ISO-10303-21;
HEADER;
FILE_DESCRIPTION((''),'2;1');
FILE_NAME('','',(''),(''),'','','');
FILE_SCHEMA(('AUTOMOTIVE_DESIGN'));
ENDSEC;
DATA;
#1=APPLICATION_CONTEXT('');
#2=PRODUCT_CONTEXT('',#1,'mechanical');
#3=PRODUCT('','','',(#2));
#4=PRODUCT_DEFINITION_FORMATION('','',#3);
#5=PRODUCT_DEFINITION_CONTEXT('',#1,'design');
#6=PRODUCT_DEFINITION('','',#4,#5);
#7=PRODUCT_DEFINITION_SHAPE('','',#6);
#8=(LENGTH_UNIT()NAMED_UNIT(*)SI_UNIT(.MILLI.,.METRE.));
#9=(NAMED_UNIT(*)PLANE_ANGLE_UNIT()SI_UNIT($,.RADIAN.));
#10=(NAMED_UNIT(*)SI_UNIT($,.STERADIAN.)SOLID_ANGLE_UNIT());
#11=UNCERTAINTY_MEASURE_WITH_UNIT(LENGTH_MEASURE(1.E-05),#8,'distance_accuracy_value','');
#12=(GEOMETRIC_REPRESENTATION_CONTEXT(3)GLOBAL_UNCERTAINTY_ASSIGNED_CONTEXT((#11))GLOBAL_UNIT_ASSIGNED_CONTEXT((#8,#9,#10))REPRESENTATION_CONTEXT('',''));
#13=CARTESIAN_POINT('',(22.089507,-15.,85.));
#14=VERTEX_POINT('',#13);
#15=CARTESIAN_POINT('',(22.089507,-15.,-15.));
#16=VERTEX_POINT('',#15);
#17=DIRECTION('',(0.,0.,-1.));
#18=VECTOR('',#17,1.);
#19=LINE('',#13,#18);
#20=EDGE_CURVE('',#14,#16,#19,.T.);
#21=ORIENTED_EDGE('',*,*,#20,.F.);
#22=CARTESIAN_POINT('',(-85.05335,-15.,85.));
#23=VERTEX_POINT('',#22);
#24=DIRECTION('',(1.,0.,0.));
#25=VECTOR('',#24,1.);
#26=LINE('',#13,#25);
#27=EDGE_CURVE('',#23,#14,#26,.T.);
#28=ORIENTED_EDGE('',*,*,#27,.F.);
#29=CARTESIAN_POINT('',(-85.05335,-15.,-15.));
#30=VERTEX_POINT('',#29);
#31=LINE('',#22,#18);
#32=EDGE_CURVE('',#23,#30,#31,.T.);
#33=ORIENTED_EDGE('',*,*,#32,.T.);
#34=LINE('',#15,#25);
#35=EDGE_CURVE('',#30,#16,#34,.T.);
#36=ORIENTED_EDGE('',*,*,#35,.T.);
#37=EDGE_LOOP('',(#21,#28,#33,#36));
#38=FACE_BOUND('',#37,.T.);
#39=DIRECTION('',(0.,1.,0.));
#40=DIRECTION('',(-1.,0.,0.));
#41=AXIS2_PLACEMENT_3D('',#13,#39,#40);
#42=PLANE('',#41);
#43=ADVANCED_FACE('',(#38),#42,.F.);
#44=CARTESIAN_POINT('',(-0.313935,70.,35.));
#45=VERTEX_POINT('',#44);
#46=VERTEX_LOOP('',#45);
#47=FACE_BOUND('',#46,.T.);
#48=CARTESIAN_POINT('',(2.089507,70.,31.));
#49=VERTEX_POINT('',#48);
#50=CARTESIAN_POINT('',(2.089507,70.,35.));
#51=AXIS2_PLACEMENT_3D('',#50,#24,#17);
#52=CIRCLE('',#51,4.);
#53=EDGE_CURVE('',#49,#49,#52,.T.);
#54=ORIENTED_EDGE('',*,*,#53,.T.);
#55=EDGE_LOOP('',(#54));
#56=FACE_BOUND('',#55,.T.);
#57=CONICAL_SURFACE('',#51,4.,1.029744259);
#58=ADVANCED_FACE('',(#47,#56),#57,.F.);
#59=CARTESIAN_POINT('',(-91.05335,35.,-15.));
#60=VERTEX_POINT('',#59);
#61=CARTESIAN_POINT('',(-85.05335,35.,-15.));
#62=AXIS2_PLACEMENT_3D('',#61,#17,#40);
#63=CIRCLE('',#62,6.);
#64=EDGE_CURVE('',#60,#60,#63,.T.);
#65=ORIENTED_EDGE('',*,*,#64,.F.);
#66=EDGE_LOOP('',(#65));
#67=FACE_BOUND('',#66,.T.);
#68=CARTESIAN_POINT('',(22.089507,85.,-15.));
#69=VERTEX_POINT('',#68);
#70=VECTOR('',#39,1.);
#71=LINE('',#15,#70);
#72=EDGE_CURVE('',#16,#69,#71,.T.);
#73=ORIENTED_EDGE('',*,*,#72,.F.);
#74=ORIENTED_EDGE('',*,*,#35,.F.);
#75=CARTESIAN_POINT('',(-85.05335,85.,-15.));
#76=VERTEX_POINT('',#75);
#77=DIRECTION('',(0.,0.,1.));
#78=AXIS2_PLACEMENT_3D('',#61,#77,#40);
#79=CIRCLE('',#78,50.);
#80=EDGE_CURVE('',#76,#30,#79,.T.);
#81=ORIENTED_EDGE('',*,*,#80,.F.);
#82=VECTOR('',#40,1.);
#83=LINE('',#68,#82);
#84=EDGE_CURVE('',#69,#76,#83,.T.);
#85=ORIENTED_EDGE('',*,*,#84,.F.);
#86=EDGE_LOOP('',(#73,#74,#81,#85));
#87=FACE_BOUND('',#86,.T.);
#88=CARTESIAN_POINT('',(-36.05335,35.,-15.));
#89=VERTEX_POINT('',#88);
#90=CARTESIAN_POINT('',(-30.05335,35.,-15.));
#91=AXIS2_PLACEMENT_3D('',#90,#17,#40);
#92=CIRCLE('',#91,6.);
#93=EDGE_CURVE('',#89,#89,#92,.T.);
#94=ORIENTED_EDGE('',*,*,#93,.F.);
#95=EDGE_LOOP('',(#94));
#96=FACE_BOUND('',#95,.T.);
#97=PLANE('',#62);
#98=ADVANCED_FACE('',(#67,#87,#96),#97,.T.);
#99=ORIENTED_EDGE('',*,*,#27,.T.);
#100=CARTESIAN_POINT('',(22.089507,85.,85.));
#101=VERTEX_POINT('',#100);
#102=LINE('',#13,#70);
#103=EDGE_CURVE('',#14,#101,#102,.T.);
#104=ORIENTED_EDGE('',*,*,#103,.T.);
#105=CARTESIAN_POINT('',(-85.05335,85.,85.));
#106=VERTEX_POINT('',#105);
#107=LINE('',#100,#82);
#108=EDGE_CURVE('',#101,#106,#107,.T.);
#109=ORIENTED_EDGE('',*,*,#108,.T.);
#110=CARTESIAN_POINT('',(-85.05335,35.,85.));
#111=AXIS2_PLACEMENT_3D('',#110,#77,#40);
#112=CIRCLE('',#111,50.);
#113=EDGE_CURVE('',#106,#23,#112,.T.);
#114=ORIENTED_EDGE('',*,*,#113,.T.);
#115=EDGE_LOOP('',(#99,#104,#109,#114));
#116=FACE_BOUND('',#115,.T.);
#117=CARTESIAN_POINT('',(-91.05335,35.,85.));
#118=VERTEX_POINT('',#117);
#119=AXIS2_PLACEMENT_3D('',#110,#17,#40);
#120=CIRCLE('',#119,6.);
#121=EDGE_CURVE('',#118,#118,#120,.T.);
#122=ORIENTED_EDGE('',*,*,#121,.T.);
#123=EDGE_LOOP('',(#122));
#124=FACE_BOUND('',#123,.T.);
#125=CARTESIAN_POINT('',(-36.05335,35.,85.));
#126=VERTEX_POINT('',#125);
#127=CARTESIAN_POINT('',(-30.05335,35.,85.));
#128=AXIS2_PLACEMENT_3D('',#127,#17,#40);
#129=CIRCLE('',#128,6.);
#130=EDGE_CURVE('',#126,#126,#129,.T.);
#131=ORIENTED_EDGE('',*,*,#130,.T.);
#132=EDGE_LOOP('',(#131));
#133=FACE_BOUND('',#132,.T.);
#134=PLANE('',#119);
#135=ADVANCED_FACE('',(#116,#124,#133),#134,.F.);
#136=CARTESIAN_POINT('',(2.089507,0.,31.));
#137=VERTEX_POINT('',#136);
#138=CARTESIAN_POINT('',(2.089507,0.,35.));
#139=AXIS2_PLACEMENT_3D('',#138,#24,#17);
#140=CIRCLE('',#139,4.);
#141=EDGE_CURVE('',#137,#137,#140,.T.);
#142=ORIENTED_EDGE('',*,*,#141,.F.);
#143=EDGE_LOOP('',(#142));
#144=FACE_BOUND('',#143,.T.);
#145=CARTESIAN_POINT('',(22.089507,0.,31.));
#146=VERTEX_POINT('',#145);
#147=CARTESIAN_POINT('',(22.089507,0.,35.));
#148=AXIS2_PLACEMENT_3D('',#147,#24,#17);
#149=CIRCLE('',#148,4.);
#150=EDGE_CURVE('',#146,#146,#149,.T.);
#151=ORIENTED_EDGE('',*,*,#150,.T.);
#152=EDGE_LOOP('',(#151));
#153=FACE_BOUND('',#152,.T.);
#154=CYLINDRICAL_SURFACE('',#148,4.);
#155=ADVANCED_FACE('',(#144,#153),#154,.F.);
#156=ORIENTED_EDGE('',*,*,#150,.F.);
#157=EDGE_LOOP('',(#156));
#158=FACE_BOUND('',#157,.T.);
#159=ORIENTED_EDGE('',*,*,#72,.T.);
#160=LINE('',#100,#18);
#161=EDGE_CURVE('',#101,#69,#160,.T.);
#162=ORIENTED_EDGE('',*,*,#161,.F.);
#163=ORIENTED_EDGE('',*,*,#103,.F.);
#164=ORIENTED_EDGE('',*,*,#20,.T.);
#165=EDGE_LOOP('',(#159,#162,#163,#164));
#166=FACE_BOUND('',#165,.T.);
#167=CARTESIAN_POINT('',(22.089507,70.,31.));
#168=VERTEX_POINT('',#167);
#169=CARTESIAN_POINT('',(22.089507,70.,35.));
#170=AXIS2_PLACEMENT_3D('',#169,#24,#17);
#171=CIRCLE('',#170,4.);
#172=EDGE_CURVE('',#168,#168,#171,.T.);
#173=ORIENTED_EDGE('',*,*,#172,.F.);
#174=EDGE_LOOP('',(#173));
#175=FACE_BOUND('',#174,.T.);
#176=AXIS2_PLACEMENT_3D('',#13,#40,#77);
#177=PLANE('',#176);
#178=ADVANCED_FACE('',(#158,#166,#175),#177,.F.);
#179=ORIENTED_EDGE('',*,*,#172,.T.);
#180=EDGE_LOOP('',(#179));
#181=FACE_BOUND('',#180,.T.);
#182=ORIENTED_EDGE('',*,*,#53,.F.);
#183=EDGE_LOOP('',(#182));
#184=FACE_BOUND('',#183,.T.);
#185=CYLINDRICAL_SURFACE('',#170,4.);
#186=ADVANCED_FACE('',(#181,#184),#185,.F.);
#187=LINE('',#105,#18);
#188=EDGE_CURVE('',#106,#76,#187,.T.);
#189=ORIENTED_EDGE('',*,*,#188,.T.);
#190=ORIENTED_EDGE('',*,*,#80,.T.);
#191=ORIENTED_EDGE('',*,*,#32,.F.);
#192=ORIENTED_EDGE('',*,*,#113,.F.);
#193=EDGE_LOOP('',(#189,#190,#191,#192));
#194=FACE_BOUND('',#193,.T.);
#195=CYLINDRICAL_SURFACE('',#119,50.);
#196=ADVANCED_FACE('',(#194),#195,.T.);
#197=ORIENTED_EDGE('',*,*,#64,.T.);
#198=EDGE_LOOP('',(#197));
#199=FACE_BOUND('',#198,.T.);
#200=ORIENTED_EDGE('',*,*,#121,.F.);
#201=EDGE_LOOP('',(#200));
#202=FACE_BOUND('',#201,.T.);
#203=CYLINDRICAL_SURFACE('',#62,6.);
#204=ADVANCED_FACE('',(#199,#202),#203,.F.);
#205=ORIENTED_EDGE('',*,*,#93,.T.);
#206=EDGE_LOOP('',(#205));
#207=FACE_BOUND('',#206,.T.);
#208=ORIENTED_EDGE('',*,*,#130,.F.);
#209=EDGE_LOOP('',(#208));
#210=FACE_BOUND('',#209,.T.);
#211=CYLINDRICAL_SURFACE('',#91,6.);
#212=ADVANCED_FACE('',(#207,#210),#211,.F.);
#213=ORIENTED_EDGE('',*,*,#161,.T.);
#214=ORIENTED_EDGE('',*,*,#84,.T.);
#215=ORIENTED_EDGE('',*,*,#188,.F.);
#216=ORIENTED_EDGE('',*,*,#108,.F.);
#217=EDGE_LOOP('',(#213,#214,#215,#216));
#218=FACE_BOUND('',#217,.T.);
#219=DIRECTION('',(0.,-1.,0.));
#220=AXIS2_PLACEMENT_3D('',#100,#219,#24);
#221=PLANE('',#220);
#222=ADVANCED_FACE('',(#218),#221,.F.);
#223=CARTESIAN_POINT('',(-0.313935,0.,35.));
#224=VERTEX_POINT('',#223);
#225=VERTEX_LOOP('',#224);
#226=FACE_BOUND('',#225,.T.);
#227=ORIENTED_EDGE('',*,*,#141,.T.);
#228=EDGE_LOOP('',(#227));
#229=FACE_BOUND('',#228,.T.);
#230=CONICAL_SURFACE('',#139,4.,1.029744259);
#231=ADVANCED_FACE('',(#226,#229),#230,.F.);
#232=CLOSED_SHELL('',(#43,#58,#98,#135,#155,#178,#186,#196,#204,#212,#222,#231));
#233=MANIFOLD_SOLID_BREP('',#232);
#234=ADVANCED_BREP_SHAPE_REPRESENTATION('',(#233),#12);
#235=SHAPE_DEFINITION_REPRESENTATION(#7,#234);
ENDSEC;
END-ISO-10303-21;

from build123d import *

# Parameters (mm, degrees)
BOSS_EXTRUDE1_DEPTH       = 70
SCALE1_SCALE              = 1.428571429
F_12_0MM_DOWEL_HOLE1_D    = 12
F_8_0MM_DOWEL_HOLE3_D     = 8
F_8_0MM_DOWEL_HOLE3_DEPTH = 20
F_8_0MM_DOWEL_HOLE3_TIP   = 2.403442476


with BuildPart() as part:
    # Sketch1 → Boss-Extrude1 (new body)
    with BuildSketch(Plane.XY):
        with BuildLine():
            Line((0, 0), (-75, 0))
            ThreePointArc((-75, 0), (-110, 35), (-75, 70))
            Line((-75, 70), (0, 70))
            Line((0, 70), (0, 0))
        make_face()
    extrude(amount=BOSS_EXTRUDE1_DEPTH)


with BuildPart() as part_1:
    # Scale1: scaled about (-51.542183312, 35, 35)
    add(part.part.scale(SCALE1_SCALE).moved(Location((22.089507134, -15, -15))))

    # Ø12.0mm Dowel Hole1 (through all)
    with Locations(Plane(origin=(-30.053350009, 35, -15), x_dir=(-1, 0, 0), z_dir=(0, 0, -1))):
        with Locations((0, 0), (55, 0)):
            Hole(F_12_0MM_DOWEL_HOLE1_D / 2)

    # Ø8.0mm Dowel Hole3
    with Locations(Plane(origin=(22.089507134, 0, 0), x_dir=(0, 0, -1), z_dir=(1, 0, 0))):
        with Locations((-35, 70), (-35, 0)):
            Hole(F_8_0MM_DOWEL_HOLE3_D / 2, depth=F_8_0MM_DOWEL_HOLE3_DEPTH)
            with Locations((0, 0, -(F_8_0MM_DOWEL_HOLE3_DEPTH + F_8_0MM_DOWEL_HOLE3_TIP / 2))):  # 118° drill point
                Cone(0, F_8_0MM_DOWEL_HOLE3_D / 2, F_8_0MM_DOWEL_HOLE3_TIP, mode=Mode.SUBTRACT)


solid = part_1.part
